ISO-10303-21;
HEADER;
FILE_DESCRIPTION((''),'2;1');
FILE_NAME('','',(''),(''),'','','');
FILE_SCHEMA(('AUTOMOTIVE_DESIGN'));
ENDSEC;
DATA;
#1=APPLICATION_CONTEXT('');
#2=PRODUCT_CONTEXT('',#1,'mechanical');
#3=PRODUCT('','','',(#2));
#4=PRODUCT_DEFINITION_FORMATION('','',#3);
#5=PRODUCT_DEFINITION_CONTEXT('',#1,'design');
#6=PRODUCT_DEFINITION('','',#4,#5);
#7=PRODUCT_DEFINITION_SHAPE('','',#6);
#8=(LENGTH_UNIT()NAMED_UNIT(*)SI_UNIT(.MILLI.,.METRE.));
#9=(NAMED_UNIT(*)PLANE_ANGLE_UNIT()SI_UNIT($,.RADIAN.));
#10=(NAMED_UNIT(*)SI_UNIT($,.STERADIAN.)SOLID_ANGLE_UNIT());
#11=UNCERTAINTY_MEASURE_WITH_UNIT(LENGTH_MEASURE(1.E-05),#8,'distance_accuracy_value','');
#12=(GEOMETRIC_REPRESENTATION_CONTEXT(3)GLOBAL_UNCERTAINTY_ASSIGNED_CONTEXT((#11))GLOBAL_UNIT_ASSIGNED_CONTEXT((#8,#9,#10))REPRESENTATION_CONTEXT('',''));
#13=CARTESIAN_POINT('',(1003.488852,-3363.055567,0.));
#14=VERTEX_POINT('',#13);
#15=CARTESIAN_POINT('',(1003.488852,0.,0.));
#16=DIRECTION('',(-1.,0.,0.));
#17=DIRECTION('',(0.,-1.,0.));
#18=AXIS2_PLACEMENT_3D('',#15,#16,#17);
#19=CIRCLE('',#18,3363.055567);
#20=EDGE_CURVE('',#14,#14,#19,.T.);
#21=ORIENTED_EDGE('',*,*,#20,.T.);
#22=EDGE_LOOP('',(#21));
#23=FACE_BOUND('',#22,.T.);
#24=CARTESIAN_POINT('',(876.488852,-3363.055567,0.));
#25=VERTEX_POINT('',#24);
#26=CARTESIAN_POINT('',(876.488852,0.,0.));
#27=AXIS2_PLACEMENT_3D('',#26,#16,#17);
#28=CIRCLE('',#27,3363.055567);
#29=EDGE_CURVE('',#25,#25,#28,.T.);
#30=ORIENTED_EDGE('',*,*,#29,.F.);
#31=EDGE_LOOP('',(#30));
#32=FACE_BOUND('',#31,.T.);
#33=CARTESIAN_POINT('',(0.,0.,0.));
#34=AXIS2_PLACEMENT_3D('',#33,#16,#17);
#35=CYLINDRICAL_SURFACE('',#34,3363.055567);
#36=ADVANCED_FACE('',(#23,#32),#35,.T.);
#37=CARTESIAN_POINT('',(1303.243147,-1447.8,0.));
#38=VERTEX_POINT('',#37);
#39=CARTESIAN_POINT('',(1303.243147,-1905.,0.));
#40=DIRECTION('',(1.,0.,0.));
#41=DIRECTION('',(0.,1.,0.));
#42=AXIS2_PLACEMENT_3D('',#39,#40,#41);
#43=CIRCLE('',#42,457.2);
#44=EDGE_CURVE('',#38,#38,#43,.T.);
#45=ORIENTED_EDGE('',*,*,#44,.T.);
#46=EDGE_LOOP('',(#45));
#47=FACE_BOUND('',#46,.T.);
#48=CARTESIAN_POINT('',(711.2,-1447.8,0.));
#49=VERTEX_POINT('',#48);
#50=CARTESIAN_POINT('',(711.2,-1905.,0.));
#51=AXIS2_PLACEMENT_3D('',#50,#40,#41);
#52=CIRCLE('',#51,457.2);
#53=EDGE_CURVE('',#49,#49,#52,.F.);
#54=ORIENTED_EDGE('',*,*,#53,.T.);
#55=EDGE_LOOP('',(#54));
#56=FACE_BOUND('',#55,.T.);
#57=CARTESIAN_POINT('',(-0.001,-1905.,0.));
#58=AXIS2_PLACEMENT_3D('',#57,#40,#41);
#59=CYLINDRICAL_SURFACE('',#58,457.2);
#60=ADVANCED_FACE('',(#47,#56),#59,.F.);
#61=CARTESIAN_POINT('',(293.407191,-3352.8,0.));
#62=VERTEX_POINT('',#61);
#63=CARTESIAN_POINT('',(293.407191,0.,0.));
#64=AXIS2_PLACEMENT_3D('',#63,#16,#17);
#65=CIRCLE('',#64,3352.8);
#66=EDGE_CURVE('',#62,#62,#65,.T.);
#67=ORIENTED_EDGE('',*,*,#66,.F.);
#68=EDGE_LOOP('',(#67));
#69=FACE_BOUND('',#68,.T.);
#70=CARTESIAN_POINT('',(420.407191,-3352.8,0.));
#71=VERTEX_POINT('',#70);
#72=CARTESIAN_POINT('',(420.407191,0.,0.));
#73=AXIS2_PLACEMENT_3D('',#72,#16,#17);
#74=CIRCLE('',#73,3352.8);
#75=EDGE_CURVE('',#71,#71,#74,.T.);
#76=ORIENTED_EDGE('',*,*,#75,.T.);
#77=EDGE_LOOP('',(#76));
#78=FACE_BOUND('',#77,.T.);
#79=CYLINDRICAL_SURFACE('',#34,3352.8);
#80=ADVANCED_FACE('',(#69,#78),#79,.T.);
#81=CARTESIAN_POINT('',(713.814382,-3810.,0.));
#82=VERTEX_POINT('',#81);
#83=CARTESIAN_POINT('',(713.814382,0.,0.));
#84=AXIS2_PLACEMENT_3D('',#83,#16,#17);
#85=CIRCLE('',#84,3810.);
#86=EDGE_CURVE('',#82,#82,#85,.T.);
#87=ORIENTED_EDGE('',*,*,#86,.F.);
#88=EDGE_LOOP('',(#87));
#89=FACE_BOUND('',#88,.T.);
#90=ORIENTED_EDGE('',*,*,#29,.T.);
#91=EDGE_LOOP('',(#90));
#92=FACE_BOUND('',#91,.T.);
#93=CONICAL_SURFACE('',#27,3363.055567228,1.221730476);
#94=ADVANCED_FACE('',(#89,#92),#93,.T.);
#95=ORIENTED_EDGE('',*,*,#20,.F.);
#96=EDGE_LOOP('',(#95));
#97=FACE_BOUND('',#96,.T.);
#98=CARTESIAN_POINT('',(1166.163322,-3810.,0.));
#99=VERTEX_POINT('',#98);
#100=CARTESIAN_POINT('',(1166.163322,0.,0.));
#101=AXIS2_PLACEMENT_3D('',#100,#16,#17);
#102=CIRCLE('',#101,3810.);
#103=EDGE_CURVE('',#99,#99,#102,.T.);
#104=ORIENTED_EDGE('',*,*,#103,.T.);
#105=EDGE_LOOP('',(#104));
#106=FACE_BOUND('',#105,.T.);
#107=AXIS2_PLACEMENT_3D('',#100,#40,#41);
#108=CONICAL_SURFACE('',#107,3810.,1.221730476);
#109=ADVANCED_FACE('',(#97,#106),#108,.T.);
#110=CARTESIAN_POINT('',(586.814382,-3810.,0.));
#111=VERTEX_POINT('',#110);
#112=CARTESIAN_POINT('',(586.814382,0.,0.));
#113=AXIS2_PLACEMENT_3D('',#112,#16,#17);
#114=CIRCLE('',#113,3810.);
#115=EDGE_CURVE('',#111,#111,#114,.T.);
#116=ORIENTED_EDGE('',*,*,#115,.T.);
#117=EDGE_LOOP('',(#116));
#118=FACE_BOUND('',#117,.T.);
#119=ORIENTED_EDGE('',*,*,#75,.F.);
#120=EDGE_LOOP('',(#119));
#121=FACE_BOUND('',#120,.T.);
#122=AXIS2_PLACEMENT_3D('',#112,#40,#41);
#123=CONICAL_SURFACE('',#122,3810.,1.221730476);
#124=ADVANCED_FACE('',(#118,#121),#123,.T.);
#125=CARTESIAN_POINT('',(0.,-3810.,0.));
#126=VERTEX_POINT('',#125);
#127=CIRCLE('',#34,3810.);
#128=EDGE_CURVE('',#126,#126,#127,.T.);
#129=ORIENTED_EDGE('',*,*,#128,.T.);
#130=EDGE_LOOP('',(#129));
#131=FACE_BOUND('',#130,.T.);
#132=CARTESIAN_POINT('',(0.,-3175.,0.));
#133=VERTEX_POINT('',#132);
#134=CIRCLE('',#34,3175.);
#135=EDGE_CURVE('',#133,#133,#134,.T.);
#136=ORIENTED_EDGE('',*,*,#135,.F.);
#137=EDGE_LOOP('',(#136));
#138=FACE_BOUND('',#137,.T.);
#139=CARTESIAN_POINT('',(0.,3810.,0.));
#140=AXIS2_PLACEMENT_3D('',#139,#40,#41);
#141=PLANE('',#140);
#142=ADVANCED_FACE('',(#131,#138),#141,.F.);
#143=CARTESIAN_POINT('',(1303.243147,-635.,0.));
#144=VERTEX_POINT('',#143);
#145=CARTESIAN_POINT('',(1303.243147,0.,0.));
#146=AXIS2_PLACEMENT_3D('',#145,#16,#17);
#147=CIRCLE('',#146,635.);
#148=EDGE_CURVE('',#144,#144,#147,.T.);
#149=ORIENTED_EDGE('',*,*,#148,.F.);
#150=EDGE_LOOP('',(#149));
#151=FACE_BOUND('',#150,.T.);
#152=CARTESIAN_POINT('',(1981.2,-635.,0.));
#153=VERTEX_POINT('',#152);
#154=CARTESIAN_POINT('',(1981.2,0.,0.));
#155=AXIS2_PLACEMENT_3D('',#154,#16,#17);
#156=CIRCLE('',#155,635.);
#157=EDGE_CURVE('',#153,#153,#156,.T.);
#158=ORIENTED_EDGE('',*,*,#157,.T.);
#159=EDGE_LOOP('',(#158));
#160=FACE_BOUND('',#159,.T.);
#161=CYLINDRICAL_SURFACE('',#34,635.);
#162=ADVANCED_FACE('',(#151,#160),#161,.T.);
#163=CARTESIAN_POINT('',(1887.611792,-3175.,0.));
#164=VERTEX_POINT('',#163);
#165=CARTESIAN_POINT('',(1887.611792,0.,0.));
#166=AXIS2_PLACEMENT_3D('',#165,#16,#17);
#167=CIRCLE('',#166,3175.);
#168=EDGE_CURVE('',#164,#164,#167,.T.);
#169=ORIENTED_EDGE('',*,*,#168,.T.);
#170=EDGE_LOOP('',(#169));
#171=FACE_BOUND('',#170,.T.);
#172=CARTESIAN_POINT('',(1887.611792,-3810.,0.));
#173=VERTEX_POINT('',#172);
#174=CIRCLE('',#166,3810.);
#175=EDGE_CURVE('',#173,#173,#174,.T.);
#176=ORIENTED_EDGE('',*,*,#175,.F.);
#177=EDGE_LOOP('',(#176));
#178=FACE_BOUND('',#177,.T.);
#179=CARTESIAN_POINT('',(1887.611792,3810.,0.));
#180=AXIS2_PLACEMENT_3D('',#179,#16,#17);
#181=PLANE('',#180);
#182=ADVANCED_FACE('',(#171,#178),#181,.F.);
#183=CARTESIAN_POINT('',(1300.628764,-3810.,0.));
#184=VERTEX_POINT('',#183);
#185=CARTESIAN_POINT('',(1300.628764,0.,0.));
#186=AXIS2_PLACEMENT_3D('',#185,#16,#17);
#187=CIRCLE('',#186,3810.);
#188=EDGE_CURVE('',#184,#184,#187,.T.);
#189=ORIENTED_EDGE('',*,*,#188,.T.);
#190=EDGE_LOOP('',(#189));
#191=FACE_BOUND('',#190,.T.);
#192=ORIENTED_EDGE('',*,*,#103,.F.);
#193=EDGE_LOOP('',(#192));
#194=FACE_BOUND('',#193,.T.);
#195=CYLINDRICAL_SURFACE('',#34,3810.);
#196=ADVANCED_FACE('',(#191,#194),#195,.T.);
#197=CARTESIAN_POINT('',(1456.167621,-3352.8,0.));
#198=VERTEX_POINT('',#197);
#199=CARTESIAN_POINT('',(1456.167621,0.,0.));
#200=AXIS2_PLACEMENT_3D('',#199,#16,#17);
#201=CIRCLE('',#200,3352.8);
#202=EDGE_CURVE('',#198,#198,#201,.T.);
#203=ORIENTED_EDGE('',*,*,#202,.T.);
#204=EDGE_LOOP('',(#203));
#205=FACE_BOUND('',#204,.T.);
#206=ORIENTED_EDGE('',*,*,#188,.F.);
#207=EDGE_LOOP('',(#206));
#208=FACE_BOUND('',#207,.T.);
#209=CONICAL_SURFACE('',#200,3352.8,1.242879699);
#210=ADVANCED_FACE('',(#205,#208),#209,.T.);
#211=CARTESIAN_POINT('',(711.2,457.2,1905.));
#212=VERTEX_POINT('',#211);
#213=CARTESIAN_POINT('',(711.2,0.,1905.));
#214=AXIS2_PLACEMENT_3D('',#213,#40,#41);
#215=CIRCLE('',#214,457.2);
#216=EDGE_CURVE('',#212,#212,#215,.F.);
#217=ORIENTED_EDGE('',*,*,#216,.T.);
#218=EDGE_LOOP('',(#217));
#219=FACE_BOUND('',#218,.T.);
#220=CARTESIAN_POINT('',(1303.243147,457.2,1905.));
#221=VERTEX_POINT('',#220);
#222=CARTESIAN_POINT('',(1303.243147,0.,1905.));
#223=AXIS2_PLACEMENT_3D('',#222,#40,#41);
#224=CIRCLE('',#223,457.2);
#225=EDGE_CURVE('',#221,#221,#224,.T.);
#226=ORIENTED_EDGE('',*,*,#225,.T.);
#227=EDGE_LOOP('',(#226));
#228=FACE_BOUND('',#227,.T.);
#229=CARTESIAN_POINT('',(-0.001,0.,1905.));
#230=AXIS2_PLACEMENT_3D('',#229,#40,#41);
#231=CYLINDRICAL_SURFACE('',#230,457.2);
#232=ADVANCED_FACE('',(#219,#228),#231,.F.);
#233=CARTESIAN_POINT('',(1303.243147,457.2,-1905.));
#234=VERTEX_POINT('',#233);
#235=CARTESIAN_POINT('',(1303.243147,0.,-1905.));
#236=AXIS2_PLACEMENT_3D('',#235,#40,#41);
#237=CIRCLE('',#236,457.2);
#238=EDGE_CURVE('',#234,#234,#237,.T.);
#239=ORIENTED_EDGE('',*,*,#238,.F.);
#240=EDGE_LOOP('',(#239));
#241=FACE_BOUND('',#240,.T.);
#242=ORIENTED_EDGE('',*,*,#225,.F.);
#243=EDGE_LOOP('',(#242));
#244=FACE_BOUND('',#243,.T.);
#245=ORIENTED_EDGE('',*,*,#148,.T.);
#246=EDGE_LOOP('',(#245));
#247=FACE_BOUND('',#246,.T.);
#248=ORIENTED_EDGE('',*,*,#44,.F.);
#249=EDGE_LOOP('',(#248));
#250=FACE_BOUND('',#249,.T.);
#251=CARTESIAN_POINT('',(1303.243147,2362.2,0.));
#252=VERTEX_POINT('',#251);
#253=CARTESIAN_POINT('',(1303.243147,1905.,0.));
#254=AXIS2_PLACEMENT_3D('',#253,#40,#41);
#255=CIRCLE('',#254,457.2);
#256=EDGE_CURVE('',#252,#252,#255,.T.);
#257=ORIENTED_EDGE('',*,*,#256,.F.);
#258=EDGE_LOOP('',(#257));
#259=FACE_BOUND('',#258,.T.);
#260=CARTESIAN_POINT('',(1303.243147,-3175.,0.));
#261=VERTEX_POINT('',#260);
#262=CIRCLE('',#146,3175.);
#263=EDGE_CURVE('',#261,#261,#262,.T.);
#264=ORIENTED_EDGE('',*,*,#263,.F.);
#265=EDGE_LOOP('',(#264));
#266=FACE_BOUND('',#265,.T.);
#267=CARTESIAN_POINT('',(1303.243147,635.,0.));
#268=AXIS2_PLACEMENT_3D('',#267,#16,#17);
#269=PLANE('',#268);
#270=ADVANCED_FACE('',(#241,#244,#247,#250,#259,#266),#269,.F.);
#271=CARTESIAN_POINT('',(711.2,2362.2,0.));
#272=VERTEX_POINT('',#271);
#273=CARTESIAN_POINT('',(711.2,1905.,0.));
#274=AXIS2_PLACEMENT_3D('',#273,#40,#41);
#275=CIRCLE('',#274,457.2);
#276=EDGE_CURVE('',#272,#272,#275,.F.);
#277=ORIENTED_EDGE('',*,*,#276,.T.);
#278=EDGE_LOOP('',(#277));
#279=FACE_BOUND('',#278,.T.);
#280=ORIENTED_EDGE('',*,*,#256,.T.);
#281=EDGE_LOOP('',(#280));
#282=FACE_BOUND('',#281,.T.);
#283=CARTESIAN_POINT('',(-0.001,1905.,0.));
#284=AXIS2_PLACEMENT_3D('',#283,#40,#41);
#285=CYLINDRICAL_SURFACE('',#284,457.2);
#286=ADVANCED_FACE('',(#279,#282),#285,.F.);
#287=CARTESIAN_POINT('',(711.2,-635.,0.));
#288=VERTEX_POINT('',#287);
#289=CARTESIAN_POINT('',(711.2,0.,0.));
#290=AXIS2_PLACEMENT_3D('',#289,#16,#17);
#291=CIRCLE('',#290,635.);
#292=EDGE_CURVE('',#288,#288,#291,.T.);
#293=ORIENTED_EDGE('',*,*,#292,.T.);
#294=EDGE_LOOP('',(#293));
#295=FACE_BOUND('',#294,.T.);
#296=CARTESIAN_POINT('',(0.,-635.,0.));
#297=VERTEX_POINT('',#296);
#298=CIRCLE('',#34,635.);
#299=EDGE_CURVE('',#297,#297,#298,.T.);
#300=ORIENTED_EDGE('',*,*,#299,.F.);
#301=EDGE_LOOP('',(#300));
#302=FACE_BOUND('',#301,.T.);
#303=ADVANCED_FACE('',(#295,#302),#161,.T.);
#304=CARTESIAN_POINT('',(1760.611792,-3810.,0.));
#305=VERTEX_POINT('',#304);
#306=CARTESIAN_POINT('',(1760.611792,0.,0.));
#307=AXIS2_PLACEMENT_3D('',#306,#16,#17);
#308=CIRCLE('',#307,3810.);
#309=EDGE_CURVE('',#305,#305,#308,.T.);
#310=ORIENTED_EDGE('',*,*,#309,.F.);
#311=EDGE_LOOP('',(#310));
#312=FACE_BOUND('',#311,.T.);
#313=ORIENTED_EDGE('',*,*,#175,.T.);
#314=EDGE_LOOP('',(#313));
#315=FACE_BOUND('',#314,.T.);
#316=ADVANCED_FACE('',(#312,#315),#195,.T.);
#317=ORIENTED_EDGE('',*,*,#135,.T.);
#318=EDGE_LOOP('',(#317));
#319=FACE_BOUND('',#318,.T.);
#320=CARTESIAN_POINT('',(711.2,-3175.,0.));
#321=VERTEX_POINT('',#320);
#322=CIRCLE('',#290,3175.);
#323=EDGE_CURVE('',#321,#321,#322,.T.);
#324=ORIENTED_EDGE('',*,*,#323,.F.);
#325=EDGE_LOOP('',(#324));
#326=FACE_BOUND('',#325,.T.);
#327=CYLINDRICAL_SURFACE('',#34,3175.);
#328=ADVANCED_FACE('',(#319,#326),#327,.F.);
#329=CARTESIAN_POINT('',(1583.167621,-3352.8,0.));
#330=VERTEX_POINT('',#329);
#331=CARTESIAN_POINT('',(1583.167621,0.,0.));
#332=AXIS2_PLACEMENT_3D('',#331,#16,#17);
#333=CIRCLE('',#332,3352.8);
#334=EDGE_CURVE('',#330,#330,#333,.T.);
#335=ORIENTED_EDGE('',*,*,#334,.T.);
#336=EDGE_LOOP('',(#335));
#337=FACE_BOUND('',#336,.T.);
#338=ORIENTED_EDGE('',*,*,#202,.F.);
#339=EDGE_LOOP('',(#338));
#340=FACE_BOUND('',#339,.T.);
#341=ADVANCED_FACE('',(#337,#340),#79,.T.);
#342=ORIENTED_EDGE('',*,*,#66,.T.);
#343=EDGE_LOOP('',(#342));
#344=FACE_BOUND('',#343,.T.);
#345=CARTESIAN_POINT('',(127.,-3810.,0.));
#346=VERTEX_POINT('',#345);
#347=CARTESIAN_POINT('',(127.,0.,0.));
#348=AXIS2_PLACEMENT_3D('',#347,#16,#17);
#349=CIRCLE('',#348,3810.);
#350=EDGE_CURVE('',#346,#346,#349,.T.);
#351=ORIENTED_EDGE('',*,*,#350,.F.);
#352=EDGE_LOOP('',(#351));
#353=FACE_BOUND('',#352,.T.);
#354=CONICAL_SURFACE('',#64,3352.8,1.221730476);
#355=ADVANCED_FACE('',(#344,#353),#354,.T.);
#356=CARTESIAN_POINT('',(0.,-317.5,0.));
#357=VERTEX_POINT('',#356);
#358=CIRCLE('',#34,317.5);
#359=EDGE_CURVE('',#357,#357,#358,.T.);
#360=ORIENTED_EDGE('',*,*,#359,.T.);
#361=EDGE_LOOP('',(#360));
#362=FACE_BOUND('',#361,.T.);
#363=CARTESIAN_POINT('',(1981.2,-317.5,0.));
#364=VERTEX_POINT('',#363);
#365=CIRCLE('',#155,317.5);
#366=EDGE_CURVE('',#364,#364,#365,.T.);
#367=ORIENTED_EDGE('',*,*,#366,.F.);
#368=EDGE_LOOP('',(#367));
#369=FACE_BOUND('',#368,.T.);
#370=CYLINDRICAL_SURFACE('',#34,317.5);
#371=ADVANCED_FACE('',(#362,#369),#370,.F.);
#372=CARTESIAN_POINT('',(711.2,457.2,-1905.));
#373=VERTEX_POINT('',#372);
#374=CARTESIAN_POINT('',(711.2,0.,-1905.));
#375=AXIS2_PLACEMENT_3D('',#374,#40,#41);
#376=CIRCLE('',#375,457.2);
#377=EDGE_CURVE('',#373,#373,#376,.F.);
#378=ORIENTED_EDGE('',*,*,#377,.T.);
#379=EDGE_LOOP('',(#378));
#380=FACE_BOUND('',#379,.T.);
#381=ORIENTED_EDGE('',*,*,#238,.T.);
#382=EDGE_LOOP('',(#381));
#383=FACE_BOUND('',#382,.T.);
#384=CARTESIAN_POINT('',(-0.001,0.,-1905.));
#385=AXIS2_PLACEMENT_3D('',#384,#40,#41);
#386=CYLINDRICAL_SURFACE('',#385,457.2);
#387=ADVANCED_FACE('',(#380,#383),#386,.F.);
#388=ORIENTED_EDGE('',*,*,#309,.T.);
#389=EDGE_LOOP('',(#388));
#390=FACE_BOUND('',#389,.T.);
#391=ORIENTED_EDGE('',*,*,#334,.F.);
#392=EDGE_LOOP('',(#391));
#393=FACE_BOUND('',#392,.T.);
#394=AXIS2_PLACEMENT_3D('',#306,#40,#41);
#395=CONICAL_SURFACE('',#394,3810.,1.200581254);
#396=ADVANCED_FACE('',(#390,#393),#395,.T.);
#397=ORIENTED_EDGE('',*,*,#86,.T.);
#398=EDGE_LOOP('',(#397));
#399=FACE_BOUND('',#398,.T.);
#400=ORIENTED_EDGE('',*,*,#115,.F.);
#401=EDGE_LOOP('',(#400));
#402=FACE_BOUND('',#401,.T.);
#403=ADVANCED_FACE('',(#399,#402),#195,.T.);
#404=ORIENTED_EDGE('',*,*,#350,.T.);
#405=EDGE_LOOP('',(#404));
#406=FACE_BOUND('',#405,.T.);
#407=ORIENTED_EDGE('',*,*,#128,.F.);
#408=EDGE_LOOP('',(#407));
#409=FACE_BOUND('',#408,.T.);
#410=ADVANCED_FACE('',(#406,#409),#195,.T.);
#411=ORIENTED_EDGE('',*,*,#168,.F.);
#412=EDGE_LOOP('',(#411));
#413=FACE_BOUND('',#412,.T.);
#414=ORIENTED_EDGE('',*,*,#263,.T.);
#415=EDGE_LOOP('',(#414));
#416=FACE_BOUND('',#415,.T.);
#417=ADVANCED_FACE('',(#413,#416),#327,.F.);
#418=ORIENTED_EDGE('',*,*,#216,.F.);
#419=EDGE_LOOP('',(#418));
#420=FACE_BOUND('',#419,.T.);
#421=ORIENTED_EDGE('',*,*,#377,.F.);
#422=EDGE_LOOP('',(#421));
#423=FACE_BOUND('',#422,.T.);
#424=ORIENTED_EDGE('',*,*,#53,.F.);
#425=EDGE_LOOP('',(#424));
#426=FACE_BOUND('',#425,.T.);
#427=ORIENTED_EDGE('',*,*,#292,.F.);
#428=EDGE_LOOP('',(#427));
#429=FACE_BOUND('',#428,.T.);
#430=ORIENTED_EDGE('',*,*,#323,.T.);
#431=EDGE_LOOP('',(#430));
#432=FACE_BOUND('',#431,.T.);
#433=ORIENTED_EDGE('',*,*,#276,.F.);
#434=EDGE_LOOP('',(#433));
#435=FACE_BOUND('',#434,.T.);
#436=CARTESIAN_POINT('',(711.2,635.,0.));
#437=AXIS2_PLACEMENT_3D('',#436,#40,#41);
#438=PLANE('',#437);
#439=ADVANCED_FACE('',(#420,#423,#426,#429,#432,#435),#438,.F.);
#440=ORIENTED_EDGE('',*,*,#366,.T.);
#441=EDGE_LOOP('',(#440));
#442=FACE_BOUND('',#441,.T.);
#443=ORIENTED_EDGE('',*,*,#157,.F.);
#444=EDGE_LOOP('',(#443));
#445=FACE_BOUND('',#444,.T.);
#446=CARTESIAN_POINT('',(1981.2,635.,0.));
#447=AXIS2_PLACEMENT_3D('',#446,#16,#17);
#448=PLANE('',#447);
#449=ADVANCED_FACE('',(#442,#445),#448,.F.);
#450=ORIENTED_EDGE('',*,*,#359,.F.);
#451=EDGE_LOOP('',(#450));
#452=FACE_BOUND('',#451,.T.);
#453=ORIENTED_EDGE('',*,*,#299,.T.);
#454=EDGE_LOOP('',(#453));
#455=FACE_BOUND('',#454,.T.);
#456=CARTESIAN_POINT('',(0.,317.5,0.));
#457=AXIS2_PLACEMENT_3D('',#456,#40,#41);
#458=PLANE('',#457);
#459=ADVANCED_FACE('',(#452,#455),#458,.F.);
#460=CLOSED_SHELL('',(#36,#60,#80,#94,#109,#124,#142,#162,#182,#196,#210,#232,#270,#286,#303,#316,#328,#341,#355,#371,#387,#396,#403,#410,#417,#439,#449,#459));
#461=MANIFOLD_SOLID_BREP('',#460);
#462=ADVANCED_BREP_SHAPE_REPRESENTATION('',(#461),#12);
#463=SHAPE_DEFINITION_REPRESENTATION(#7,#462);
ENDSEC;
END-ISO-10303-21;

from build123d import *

# Parameters (mm, degrees)
CUT_EXTRUDE1_REACH = 5545.523
SKETCH2_R          = 457.2


with BuildPart() as part:
    # Sketch1 → Revolve1 (revolve)
    with BuildSketch(Plane.XY, mode=Mode.PRIVATE) as revolve1_sk:
        Polygon((0, 317.5), (0, 635), (711.2, 635), (711.2, 3175), (0, 3175), (0, 3810), (127, 3810), (293.407191107, 3352.8), (420.407191107, 3352.8), (586.814382213, 3810), (713.814382213, 3810), (876.488852113, 3363.055567228), (1003.488852113, 3363.055567228), (1166.163322013, 3810), (1300.628764426, 3810), (1456.167620866, 3352.8), (1583.167620866, 3352.8), (1760.611792053, 3810), (1887.611792053, 3810), (1887.611792053, 3175), (1303.243146639, 3175), (1303.243146639, 635), (1981.2, 635), (1981.2, 317.5), align=None)
    revolve(revolve1_sk.sketch.rotate(Axis((0, 0, 0), (1, 0, 0)), 180), axis=Axis((0, 0, 0), (1, 0, 0)))

    # Sketch2 → Cut-Extrude1 (cut, up to next)
    with BuildSketch(Plane(origin=(1303.243146639, 0, 0), x_dir=(0, 0, -1), z_dir=(1, 0, 0)), mode=Mode.PRIVATE) as cut_extrude1_sk1:
        with Locations(Location((0, 1905, 0), (0, 0, 90))):
            Circle(SKETCH2_R)
    cut_extrude1_tool1 = extrude(cut_extrude1_sk1.sketch, amount=-CUT_EXTRUDE1_REACH, mode=Mode.PRIVATE) & part.part
    # Sketch2 → Cut-Extrude1 (cut, up to next)
    with BuildSketch(Plane(origin=(1303.243146639, 0, 0), x_dir=(0, 0, -1), z_dir=(1, 0, 0)), mode=Mode.PRIVATE) as cut_extrude1_sk2:
        with Locations(Location((0, -1905, 0), (0, 0, 90))):
            Circle(SKETCH2_R)
    cut_extrude1_tool2 = extrude(cut_extrude1_sk2.sketch, amount=-CUT_EXTRUDE1_REACH, mode=Mode.PRIVATE) & part.part
    # Sketch2 → Cut-Extrude1 (cut, up to next)
    with BuildSketch(Plane(origin=(1303.243146639, 0, 0), x_dir=(0, 0, -1), z_dir=(1, 0, 0)), mode=Mode.PRIVATE) as cut_extrude1_sk3:
        with Locations(Location((1905, 0, 0), (0, 0, 90))):
            Circle(SKETCH2_R)
    cut_extrude1_tool3 = extrude(cut_extrude1_sk3.sketch, amount=-CUT_EXTRUDE1_REACH, mode=Mode.PRIVATE) & part.part
    # Sketch2 → Cut-Extrude1 (cut, up to next)
    with BuildSketch(Plane(origin=(1303.243146639, 0, 0), x_dir=(0, 0, -1), z_dir=(1, 0, 0)), mode=Mode.PRIVATE) as cut_extrude1_sk4:
        with Locations(Location((-1905, 0, 0), (0, 0, 90))):
            Circle(SKETCH2_R)
    cut_extrude1_tool4 = extrude(cut_extrude1_sk4.sketch, amount=-CUT_EXTRUDE1_REACH, mode=Mode.PRIVATE) & part.part
    add(cut_extrude1_tool1.solids().sort_by_distance((1303.243147, 1905, 0))[0], mode=Mode.SUBTRACT)
    add(cut_extrude1_tool2.solids().sort_by_distance((1303.243147, -1905, 0))[0], mode=Mode.SUBTRACT)
    add(cut_extrude1_tool3.solids().sort_by_distance((1303.243147, 0, -1905))[0], mode=Mode.SUBTRACT)
    add(cut_extrude1_tool4.solids().sort_by_distance((1303.243147, 0, 1905))[0], mode=Mode.SUBTRACT)


solid = part.part
